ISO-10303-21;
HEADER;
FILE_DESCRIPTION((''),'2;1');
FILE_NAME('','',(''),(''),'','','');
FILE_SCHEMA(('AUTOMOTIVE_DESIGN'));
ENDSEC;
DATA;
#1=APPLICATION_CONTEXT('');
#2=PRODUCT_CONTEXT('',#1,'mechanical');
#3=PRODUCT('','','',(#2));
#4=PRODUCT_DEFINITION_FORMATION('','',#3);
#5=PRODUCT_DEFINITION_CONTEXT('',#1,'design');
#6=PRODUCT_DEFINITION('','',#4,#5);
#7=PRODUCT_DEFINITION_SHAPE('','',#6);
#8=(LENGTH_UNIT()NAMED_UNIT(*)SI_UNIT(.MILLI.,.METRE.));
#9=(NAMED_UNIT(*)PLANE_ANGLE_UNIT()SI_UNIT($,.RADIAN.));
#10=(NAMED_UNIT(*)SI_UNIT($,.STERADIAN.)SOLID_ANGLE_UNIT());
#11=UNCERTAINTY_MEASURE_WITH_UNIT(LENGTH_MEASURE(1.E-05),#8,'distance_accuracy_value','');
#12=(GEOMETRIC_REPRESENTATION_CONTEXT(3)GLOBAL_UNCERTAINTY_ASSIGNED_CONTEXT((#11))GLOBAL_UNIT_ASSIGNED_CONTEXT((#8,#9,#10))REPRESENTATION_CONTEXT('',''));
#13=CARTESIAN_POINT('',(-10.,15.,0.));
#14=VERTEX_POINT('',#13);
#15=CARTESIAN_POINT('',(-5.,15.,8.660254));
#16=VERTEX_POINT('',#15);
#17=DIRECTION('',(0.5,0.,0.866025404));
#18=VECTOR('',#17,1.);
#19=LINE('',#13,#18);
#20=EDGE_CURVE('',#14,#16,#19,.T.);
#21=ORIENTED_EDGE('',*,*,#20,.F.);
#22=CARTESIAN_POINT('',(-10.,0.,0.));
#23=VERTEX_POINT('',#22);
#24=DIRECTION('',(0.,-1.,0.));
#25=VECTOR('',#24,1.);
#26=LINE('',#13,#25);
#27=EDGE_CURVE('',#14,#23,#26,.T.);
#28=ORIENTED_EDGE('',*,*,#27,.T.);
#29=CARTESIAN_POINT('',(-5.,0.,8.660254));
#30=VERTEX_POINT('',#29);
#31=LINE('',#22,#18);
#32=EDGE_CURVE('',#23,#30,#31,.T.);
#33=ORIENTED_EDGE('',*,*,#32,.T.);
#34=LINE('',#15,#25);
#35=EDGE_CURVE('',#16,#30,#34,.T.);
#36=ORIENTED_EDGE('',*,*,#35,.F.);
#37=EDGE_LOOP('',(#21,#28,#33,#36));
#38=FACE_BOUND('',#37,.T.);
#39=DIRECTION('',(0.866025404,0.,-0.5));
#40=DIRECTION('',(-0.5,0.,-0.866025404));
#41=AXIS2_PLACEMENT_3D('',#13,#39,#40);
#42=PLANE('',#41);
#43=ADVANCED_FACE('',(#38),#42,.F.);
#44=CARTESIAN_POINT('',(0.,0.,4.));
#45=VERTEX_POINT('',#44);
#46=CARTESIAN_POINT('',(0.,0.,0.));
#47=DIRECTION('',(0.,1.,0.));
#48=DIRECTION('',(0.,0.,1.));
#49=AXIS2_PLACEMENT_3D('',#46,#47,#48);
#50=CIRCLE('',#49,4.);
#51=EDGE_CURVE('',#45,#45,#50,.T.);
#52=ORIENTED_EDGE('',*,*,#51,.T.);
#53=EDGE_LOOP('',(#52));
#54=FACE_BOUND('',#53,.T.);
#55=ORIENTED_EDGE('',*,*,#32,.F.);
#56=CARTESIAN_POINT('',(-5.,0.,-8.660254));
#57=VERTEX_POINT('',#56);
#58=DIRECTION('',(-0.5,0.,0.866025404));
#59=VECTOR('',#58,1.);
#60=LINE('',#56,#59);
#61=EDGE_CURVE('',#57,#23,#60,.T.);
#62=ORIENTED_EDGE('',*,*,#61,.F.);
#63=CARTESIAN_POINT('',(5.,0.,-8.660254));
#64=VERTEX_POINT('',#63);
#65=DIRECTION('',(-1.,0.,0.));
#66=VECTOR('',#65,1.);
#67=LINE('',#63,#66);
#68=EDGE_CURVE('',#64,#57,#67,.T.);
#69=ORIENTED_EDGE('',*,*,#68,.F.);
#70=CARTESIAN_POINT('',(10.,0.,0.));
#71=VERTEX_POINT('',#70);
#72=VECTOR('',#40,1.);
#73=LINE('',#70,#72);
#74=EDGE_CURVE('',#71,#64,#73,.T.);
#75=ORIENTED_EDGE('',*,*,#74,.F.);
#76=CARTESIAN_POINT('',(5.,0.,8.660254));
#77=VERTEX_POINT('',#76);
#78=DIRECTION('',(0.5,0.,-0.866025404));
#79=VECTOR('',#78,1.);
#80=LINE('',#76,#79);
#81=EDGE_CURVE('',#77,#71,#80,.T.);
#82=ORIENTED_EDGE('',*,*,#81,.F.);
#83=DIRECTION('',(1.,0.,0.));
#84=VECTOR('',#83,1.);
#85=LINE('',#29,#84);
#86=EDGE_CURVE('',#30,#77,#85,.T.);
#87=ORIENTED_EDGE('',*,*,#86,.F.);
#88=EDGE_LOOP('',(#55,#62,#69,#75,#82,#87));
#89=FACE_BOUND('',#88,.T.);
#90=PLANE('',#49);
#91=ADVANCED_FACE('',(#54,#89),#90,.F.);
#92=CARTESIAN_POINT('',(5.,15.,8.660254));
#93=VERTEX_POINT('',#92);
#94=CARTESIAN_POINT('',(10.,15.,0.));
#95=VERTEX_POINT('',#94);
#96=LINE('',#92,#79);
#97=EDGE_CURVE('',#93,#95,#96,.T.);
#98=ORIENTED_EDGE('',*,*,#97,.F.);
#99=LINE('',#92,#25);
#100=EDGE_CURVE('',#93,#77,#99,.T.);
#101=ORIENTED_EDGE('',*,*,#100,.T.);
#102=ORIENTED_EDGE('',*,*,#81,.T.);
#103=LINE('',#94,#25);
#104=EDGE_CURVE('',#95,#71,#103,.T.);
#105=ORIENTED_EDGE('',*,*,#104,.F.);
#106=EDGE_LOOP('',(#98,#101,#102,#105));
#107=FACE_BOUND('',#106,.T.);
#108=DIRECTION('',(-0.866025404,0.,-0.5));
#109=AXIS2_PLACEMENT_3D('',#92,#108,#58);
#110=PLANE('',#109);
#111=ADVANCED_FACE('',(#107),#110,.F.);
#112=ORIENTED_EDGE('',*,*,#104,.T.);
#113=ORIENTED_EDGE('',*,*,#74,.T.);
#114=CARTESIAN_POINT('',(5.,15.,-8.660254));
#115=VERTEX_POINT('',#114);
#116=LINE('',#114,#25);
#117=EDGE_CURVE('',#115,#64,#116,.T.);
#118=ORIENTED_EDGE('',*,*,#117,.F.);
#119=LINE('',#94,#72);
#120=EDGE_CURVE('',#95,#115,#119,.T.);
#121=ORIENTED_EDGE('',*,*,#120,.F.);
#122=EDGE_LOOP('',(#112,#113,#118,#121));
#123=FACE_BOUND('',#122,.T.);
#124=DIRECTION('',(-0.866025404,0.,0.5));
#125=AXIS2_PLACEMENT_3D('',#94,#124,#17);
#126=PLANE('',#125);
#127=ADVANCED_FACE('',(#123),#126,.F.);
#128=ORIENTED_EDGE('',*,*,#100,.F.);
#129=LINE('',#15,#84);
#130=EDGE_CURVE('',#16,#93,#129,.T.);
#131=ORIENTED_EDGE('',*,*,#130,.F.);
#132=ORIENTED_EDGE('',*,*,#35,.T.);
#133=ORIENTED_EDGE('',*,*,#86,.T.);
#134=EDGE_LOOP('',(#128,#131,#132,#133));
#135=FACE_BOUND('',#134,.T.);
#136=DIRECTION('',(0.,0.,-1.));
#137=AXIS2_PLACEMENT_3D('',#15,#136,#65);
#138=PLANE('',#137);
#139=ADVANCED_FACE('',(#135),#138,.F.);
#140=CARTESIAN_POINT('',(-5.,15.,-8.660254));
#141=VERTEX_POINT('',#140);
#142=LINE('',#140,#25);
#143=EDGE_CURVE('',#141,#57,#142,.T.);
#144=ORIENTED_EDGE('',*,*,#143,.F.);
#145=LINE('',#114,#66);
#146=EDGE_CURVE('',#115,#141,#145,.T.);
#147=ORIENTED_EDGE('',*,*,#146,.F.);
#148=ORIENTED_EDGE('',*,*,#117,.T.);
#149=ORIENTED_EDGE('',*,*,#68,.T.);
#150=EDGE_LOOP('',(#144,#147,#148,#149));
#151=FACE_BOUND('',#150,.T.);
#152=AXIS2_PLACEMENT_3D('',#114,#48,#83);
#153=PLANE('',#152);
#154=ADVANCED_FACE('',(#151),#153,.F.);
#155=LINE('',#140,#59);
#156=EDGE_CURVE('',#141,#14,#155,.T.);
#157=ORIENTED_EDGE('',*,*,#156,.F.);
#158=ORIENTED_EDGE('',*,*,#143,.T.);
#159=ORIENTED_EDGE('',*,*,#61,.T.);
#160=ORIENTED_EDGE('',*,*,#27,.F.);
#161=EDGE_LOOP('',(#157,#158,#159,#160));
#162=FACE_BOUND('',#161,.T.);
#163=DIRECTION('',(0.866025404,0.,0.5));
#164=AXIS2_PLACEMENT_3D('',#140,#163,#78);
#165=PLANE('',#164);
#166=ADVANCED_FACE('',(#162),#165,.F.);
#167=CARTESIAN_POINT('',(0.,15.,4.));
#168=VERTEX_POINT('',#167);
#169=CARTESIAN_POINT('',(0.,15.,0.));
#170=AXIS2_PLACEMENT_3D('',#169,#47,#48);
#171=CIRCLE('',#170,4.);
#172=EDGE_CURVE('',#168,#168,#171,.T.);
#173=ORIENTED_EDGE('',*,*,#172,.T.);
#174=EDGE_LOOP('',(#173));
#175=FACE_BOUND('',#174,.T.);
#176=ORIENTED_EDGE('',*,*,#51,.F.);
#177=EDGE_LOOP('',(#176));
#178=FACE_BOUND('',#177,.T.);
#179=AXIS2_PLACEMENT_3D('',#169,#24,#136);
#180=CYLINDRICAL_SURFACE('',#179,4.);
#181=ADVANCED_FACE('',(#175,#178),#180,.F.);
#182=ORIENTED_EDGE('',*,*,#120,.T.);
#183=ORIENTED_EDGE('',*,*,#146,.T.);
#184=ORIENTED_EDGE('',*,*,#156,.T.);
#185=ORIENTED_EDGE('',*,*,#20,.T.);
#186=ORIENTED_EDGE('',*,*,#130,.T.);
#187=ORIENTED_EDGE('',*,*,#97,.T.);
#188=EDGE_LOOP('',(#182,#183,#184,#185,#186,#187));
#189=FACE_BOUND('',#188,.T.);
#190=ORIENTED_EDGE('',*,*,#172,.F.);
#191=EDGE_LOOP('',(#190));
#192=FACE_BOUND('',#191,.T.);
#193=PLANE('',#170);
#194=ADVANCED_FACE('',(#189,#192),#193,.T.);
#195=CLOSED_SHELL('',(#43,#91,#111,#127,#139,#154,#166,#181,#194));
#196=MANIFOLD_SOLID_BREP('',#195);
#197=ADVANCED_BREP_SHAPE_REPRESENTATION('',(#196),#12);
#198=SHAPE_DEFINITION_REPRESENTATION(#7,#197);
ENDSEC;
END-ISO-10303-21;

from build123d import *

# Parameters (mm, degrees)
SKETCH1_R           = 4
BOSS_EXTRUDE1_DEPTH = 15


with BuildPart() as part:
    # Sketch1 → Boss-Extrude1 (new body)
    with BuildSketch(Plane(origin=(0, 0, 0), x_dir=(1, 0, 0), z_dir=(0, 1, 0))):
        Polygon((10, 0), (5, 8.660254038), (-5, 8.660254038), (-10, 0), (-5, -8.660254038), (5, -8.660254038), align=None)
        with Locations(Location((0, 0, 0), (0, 0, 270))):
            Circle(SKETCH1_R, mode=Mode.SUBTRACT)
    extrude(amount=BOSS_EXTRUDE1_DEPTH)


solid = part.part
